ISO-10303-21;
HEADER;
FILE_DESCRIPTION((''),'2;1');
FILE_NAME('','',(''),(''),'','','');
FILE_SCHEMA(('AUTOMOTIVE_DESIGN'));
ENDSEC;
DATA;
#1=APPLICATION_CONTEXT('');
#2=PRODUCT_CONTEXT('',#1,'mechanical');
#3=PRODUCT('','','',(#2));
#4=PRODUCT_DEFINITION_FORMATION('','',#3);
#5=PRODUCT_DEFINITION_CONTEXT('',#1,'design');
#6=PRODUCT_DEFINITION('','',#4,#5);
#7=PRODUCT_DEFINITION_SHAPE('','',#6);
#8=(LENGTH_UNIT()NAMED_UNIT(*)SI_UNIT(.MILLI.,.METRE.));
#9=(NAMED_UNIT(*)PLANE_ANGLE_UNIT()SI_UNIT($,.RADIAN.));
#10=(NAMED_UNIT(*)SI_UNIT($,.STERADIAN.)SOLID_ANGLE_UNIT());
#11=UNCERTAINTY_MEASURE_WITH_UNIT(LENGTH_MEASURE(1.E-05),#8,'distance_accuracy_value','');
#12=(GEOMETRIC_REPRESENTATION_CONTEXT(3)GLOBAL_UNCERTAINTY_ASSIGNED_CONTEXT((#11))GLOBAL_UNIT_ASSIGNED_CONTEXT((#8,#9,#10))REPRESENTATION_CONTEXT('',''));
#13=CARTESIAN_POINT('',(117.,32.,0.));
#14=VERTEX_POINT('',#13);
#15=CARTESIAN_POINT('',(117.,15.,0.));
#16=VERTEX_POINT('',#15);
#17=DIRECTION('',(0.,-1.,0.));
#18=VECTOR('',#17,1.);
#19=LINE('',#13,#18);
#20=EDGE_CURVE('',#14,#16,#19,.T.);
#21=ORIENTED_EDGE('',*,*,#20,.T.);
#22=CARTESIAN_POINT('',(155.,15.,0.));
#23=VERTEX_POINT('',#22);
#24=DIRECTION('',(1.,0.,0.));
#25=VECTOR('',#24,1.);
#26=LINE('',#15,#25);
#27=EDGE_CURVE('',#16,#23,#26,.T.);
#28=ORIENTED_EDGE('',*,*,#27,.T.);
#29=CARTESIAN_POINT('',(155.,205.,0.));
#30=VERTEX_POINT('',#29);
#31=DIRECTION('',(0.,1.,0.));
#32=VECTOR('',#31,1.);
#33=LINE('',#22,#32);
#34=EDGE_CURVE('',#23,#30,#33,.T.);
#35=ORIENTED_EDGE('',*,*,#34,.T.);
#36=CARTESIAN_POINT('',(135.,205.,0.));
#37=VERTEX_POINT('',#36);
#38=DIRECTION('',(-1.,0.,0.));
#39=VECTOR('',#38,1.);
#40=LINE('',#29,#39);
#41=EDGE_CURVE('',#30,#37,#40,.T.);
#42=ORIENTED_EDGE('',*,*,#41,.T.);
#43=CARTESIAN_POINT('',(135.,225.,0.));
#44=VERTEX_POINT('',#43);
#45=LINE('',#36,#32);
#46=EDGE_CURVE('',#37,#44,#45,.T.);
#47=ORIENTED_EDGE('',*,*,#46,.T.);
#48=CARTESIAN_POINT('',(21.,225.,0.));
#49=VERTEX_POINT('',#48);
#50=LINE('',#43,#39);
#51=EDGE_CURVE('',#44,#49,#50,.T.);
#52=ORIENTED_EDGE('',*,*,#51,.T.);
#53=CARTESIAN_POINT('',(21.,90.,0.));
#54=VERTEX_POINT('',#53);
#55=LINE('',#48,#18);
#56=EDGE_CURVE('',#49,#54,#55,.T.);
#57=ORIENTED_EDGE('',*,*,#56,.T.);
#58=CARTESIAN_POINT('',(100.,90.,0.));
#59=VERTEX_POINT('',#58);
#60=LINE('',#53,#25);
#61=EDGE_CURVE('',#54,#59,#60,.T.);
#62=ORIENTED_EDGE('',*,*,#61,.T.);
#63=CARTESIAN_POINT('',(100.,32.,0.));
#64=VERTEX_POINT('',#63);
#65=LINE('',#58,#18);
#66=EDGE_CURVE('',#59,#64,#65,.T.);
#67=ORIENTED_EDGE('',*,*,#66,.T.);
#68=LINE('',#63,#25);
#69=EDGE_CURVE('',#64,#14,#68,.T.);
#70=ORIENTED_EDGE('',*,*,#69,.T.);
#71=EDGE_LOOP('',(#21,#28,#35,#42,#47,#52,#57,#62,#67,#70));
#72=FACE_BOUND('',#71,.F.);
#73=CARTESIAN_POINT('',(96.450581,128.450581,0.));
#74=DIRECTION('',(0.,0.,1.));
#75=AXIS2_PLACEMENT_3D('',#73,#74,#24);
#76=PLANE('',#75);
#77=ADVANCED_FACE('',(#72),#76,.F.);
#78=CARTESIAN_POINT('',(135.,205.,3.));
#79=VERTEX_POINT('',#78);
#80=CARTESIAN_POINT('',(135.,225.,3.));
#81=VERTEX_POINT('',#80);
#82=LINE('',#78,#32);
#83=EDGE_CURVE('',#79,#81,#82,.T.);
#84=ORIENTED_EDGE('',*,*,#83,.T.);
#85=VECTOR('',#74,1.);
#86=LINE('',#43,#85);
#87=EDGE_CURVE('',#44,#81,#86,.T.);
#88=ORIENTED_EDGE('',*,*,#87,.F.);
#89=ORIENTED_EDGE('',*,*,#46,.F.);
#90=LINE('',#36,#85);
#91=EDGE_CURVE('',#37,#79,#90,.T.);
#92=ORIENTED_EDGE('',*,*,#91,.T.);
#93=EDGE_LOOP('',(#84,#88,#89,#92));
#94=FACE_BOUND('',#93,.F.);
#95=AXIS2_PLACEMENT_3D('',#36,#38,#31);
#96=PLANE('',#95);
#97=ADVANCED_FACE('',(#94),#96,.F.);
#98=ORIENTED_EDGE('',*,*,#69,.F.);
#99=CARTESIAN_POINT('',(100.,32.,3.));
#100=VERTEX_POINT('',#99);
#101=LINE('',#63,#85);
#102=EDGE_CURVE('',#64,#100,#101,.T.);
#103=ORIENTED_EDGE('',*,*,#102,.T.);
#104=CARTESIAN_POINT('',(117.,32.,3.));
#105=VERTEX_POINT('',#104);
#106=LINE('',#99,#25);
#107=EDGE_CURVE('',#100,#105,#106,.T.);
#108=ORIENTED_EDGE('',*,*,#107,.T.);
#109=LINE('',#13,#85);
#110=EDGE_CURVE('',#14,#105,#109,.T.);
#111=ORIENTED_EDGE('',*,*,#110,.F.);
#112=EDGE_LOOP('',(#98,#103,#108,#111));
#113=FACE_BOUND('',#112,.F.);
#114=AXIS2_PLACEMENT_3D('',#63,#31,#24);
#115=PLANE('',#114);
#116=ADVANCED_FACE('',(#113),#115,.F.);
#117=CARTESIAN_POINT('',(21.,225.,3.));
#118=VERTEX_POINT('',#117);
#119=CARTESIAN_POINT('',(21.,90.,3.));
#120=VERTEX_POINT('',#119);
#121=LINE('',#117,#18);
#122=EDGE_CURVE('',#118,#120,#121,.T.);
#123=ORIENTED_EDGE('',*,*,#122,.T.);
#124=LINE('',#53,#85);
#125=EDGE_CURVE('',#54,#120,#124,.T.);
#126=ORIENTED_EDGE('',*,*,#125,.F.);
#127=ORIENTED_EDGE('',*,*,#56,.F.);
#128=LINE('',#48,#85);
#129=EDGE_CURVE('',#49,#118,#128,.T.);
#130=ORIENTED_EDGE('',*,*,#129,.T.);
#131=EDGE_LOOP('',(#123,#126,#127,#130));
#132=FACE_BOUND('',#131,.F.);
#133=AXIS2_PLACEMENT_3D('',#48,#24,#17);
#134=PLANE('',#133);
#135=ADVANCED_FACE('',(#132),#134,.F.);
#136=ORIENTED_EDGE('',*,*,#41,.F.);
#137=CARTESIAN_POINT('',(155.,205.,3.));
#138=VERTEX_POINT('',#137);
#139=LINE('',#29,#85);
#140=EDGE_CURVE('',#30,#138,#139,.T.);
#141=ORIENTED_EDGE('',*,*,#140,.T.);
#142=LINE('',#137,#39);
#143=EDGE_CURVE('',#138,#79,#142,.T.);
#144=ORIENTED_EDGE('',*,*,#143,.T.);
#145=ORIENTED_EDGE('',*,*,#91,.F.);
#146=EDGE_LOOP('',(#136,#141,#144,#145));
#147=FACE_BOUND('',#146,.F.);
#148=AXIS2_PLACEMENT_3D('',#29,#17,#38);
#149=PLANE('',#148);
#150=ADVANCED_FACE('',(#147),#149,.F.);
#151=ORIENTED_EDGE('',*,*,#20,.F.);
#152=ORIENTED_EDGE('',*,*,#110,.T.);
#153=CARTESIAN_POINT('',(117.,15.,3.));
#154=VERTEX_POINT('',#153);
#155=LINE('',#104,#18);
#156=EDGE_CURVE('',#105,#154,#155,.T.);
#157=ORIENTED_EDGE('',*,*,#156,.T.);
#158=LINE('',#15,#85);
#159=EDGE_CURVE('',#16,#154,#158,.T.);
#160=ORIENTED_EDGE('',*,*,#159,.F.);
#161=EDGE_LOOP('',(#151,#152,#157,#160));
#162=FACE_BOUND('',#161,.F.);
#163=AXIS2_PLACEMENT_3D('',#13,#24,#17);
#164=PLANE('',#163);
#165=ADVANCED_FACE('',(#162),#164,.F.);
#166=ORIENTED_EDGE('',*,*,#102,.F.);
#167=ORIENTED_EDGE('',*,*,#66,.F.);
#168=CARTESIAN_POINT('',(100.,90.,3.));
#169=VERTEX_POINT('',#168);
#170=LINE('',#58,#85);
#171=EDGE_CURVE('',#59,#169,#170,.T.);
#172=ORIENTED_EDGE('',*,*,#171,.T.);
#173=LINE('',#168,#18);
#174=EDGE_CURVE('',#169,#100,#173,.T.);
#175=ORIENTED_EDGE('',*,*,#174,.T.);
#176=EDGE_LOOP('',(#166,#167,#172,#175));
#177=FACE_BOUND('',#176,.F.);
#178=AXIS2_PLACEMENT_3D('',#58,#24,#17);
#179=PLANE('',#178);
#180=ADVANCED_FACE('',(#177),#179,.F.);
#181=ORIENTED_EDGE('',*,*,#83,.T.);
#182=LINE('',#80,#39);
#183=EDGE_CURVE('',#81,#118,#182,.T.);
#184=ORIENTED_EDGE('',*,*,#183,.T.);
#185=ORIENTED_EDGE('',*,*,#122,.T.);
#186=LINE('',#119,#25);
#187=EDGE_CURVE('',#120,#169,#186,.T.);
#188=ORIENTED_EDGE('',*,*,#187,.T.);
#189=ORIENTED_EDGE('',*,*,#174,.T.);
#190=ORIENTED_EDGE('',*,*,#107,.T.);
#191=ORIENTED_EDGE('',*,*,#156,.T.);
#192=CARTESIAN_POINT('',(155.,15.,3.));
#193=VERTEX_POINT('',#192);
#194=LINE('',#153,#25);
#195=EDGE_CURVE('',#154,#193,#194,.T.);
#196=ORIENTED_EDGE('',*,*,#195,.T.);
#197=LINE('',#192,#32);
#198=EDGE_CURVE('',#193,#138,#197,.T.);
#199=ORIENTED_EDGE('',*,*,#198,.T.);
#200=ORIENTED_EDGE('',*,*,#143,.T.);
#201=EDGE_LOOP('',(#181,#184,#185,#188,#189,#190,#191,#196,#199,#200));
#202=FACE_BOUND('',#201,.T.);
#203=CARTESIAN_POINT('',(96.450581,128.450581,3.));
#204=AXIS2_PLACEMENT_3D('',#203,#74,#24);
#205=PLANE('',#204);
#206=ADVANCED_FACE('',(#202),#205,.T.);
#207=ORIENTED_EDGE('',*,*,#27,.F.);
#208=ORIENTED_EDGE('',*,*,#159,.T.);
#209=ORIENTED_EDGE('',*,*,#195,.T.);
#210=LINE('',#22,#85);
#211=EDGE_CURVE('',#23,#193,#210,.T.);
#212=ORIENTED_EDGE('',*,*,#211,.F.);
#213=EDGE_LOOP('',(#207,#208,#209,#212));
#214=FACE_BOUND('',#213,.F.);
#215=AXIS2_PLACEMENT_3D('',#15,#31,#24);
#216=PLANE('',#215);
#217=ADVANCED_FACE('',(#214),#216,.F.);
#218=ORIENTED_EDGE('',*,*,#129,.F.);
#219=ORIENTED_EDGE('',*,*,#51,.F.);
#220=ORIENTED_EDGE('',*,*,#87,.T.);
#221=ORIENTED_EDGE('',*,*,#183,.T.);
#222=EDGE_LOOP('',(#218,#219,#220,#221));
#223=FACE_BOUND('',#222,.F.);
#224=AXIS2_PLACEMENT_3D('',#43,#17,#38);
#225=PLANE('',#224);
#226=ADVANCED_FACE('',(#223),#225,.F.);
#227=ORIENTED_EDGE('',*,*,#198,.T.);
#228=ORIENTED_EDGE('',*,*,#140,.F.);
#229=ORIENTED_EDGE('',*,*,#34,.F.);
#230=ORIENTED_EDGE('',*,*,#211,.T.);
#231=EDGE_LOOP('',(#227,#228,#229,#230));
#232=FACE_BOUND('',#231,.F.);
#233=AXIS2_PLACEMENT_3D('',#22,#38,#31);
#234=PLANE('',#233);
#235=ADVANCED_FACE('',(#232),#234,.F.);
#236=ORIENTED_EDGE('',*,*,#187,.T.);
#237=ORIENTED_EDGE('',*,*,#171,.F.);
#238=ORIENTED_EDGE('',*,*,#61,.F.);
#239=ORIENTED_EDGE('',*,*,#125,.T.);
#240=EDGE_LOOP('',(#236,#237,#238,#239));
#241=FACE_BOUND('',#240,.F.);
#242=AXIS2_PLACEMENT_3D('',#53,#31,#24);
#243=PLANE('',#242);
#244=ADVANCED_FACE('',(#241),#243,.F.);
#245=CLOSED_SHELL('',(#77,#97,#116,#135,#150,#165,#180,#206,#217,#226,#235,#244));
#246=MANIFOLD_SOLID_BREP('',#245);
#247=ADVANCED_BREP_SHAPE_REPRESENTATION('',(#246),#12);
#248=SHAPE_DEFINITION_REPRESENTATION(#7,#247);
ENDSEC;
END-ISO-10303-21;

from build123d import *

# Parameters (mm, degrees)
PAD_DEPTH = 3


with BuildPart() as part:
    # Sketch → Pad (new body)
    with BuildSketch(Plane.XY):
        Polygon((155, 15), (155, 205), (135, 205), (135, 225), (21, 225), (21, 90), (100, 90), (100, 32), (117, 32), (117, 15), align=None)
    extrude(amount=PAD_DEPTH)


solid = part.part
